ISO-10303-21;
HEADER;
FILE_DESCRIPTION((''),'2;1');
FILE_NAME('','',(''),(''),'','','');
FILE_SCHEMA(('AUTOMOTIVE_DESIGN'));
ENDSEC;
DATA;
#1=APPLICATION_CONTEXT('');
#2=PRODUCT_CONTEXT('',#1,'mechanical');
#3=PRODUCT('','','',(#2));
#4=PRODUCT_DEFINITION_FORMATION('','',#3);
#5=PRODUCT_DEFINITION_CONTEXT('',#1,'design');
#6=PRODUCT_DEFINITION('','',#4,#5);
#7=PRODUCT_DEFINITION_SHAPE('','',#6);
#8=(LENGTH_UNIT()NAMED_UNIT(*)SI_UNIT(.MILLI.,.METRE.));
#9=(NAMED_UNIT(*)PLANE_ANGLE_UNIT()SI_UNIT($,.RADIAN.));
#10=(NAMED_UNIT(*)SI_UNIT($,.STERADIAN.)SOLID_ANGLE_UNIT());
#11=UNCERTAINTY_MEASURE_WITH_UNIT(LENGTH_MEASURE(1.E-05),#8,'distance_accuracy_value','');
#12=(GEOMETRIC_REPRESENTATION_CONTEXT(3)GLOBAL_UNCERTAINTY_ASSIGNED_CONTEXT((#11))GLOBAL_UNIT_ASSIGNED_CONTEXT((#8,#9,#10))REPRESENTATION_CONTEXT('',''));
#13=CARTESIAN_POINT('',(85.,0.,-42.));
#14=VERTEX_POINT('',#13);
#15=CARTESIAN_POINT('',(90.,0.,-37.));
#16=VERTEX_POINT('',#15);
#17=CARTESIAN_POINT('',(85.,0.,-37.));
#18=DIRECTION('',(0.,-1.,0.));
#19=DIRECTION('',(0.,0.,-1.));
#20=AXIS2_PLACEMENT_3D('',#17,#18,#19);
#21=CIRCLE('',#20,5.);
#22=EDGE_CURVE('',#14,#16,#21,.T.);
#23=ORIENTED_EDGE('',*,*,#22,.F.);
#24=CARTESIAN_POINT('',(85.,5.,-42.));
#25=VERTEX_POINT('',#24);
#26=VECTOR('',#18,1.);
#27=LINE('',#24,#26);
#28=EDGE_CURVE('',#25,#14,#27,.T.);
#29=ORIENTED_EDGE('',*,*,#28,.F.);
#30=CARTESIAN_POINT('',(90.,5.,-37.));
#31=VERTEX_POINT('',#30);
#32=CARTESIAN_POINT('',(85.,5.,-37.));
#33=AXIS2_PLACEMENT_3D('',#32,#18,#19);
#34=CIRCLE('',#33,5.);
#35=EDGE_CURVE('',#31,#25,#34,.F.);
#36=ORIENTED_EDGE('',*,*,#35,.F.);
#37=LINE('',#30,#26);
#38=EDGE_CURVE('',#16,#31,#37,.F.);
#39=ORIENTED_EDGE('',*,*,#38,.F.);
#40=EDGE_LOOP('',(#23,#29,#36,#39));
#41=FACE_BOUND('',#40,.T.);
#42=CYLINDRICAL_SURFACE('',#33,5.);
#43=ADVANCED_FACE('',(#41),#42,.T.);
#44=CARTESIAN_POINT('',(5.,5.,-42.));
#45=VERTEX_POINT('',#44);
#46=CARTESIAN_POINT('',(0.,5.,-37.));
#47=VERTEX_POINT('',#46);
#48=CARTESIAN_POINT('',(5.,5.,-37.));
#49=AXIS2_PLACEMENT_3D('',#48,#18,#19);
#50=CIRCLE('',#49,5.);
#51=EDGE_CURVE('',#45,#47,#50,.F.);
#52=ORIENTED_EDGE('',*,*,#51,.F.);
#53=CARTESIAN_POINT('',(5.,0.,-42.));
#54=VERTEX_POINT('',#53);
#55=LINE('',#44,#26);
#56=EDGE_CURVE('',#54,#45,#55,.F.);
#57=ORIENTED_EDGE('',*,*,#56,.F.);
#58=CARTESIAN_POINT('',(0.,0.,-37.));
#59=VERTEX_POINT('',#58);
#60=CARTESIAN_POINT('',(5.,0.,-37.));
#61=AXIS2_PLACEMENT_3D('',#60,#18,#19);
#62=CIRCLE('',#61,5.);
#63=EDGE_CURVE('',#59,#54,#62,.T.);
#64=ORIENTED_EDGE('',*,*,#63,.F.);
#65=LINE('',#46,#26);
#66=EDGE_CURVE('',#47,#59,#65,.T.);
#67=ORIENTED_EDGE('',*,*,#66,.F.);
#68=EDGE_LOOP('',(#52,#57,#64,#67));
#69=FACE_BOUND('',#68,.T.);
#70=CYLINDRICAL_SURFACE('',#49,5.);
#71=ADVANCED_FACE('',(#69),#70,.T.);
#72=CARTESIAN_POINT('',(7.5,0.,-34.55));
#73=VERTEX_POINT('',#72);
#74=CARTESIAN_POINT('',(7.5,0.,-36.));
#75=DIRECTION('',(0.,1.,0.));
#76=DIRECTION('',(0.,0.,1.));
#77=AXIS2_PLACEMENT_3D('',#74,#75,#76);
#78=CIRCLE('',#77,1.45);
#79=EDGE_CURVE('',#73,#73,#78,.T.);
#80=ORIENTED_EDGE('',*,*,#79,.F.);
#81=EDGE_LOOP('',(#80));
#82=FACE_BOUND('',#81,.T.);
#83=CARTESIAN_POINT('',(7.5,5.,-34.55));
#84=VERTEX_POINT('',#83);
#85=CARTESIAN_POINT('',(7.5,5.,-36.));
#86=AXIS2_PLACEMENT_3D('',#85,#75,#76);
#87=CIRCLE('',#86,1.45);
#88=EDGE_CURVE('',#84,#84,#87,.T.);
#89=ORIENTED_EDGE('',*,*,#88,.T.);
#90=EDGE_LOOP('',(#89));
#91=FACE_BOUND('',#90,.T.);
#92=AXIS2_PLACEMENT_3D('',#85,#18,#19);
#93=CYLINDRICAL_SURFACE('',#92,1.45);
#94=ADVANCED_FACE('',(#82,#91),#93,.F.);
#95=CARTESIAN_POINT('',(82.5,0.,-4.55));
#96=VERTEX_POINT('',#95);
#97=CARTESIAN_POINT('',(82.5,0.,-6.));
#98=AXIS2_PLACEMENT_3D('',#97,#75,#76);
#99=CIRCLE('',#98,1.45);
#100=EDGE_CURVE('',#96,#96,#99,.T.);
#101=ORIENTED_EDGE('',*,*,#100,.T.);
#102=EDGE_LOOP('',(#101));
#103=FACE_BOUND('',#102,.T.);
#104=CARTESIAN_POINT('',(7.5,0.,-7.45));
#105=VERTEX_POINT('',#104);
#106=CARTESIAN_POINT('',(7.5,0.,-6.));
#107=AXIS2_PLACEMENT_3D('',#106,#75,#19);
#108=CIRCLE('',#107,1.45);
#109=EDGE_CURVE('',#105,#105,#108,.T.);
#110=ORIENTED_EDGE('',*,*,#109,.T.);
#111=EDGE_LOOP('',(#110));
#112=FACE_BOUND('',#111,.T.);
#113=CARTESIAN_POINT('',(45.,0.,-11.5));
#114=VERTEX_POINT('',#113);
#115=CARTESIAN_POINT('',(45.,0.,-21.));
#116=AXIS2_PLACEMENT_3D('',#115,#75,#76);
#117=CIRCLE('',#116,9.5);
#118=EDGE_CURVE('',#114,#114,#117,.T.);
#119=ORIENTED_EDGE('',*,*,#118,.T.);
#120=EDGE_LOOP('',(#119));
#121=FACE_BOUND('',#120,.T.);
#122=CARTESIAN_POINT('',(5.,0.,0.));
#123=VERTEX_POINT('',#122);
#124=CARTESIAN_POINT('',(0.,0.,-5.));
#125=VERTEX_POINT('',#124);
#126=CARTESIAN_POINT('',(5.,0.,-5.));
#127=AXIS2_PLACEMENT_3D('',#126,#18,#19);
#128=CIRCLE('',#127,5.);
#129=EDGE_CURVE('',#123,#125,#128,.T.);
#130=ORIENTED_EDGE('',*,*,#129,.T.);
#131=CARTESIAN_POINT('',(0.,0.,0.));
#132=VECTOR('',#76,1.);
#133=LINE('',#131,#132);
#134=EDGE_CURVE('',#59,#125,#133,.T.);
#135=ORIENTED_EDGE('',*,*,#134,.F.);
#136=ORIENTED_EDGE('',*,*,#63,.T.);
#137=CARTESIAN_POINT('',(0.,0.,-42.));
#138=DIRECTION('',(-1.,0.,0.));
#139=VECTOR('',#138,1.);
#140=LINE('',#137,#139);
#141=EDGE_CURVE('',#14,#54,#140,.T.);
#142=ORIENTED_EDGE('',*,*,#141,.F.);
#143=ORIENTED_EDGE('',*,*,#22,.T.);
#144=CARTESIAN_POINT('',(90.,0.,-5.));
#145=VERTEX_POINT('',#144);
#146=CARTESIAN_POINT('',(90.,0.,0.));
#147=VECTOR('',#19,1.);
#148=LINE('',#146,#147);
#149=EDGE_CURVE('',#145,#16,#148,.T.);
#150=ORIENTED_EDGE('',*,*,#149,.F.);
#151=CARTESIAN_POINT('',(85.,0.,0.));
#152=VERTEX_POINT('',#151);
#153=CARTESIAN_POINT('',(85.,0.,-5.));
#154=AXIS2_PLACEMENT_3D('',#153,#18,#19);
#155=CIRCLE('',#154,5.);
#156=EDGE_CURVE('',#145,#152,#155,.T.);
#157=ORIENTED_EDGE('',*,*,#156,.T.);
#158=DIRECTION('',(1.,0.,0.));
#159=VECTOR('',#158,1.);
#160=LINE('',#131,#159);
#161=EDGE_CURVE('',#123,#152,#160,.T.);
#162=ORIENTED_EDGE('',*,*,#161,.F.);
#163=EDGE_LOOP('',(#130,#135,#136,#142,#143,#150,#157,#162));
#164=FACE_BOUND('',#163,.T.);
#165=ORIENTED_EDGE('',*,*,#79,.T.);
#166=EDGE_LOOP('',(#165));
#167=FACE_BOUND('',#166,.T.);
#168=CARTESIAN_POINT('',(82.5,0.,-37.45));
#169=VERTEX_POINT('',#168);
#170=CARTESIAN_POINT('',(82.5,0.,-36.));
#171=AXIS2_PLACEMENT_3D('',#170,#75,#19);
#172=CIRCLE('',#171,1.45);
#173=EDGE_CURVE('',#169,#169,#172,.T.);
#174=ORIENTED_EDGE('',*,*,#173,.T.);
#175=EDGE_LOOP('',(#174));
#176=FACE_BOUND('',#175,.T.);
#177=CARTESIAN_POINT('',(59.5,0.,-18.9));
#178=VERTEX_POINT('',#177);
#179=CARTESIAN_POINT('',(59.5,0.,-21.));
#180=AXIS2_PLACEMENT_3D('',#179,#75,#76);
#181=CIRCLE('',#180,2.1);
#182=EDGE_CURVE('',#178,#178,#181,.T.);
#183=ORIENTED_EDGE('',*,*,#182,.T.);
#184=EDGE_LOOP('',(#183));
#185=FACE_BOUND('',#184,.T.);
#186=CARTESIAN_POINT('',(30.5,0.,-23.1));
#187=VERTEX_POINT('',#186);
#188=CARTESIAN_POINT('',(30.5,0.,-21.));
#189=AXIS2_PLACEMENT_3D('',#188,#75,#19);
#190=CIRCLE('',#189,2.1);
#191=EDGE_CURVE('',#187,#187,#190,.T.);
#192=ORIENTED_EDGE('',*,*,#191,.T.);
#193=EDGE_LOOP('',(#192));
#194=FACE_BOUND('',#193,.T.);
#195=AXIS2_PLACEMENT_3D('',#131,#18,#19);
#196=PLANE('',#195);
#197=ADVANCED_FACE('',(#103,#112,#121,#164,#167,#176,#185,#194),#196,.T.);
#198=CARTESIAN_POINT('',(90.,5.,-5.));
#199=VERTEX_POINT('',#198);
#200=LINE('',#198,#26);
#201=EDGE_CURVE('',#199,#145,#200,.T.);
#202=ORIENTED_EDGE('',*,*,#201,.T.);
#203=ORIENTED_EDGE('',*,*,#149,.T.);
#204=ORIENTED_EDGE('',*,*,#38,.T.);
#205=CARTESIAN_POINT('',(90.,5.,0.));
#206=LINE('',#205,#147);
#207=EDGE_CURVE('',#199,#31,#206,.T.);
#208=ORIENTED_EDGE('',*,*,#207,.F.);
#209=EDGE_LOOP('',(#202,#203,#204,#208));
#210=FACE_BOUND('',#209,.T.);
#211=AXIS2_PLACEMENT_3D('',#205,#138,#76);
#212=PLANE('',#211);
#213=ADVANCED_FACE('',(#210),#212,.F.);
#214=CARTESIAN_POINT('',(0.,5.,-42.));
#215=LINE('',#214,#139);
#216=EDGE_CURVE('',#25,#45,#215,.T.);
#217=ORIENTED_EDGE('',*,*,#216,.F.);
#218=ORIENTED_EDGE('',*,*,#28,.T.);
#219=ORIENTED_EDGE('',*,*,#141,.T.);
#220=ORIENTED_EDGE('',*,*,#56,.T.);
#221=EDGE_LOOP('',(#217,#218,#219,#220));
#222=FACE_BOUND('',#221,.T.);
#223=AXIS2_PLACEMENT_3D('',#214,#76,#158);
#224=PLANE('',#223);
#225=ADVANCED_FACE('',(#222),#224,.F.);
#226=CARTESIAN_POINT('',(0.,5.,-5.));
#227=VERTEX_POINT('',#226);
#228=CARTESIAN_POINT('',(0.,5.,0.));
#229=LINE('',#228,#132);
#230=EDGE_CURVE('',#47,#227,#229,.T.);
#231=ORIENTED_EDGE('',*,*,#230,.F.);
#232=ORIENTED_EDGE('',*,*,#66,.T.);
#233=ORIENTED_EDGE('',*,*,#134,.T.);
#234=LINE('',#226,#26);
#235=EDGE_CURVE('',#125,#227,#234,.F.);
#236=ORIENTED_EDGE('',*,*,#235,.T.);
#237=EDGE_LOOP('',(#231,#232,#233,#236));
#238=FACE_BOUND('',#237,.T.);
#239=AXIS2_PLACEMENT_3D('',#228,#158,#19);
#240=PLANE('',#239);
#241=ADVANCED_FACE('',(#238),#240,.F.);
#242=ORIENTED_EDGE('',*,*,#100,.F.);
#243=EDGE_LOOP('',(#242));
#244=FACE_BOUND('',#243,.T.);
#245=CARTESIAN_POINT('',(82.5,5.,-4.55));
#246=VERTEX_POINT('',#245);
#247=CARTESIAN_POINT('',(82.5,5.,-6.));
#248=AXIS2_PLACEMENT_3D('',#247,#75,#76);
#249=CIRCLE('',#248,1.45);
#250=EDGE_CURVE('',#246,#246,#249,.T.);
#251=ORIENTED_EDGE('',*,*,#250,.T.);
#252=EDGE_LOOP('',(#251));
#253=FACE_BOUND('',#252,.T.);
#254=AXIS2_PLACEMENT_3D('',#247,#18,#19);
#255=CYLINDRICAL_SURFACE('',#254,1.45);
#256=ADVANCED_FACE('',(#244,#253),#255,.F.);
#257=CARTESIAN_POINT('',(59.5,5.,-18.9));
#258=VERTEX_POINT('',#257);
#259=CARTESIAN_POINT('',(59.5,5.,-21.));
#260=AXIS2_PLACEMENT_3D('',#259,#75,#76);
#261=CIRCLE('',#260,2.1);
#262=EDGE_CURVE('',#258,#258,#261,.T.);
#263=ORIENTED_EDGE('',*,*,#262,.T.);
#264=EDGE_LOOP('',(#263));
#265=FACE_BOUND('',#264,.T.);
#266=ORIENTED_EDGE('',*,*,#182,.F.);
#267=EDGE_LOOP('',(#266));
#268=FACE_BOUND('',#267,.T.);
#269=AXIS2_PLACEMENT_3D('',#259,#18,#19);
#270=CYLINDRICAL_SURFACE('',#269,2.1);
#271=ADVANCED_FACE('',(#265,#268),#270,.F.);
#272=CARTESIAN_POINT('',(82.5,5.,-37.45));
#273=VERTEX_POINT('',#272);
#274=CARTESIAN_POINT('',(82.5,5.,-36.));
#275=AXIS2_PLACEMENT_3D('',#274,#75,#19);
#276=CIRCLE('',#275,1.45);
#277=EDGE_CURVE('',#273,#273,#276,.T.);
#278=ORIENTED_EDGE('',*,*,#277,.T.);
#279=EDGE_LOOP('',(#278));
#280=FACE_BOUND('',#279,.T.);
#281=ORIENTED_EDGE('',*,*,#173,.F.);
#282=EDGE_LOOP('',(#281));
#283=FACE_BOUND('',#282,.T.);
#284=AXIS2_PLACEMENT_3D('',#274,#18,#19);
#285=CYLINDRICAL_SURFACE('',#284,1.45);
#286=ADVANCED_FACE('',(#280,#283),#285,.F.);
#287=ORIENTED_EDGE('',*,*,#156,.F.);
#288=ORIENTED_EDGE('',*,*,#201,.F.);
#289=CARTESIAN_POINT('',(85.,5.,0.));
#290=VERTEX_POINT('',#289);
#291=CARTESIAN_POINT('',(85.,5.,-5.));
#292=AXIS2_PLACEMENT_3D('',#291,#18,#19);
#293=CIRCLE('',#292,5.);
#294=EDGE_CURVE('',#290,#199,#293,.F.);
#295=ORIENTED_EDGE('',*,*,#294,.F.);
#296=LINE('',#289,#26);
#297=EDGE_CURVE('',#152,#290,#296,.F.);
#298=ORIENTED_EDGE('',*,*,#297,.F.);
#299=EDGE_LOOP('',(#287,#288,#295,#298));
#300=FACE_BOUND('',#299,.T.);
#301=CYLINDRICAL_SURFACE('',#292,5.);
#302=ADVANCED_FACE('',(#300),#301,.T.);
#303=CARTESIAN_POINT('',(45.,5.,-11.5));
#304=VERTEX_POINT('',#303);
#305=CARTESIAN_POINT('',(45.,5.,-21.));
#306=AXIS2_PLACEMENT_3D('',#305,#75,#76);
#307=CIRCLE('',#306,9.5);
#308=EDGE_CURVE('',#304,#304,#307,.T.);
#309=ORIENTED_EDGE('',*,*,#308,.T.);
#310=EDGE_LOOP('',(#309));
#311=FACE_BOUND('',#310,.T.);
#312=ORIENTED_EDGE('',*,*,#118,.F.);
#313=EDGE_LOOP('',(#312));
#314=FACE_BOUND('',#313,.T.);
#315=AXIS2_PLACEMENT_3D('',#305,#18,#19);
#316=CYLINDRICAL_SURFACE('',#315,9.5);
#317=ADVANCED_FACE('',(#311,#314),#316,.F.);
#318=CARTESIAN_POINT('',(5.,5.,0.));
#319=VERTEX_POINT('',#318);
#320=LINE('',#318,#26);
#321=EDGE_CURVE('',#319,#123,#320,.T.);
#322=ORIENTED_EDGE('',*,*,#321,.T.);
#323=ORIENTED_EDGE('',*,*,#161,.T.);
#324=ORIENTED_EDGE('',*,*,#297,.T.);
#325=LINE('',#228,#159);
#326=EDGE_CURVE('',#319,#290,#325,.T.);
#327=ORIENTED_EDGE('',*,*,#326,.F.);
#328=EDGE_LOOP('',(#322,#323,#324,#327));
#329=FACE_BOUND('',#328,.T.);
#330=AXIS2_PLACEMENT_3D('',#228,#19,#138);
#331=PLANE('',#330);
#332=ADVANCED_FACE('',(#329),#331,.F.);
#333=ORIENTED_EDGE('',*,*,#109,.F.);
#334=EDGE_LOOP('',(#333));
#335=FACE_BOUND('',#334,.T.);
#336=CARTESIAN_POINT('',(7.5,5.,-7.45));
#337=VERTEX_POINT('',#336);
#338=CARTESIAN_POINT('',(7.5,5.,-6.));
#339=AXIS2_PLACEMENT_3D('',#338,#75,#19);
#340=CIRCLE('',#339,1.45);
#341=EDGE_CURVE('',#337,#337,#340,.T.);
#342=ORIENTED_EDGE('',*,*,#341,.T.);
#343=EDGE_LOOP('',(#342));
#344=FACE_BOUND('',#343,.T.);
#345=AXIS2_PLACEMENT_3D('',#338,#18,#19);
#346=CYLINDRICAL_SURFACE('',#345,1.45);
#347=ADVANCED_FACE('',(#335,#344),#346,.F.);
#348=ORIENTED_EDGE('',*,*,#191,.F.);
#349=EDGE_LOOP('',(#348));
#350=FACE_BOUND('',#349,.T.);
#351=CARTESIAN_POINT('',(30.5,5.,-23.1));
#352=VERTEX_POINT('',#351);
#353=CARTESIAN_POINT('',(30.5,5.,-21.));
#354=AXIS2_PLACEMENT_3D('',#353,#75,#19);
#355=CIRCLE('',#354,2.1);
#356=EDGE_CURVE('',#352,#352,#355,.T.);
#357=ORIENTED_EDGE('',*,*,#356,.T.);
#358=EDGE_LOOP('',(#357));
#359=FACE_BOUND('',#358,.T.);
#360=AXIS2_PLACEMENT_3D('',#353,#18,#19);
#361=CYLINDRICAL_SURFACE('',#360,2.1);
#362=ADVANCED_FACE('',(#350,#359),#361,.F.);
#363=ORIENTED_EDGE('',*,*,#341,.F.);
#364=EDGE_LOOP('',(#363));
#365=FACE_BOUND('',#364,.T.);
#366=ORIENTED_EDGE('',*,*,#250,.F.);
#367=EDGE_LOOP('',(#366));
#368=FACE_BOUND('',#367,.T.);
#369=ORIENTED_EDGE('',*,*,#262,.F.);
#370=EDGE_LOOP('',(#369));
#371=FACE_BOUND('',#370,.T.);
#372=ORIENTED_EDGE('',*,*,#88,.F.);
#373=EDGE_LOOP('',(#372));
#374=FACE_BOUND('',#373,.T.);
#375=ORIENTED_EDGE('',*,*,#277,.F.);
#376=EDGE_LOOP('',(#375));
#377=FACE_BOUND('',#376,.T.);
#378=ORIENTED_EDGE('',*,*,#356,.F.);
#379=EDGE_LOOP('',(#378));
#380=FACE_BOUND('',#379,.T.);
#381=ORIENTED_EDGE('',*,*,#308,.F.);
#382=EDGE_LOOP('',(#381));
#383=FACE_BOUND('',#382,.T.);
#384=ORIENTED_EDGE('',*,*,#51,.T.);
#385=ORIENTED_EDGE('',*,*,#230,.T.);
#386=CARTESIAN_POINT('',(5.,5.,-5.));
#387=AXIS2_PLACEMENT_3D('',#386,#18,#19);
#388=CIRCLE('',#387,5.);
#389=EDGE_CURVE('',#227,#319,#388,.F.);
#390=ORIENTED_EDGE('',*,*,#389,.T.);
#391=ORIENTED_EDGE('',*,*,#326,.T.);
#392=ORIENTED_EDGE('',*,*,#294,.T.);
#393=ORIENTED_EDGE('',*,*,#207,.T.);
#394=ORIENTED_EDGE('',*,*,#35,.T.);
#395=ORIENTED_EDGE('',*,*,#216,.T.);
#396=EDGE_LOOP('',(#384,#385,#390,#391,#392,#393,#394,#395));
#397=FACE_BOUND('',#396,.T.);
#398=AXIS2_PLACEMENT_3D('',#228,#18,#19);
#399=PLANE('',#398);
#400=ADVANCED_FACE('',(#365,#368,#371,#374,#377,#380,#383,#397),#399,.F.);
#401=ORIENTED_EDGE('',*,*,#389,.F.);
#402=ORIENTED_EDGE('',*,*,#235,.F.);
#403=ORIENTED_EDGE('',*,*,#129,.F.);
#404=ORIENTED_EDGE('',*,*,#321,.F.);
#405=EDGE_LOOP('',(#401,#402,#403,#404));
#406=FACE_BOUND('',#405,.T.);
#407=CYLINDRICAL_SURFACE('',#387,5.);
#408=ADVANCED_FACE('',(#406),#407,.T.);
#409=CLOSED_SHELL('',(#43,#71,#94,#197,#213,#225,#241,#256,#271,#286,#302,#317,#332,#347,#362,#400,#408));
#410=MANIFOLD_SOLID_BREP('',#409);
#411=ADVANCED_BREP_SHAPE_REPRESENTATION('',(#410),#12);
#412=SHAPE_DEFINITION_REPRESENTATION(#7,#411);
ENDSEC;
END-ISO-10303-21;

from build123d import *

# Parameters (mm, degrees)
SKETCH1_W           = 90
SKETCH1_H           = 42
SKETCH1_R           = 9.5
SKETCH1_R_2         = 2.1
SKETCH1_R_3         = 1.45
BOSS_EXTRUDE1_DEPTH = 5
FILLET1_R           = 5


with BuildPart() as part:
    # Sketch1 → Boss-Extrude1 (new body)
    with BuildSketch(Plane(origin=(0, 0, 0), x_dir=(1, 0, 0), z_dir=(0, 1, 0))):
        with Locations((45, 21)):
            Rectangle(SKETCH1_W, SKETCH1_H)
        with Locations((45, 21)):
            Circle(SKETCH1_R, mode=Mode.SUBTRACT)
        with Locations((59.5, 21)):
            Circle(SKETCH1_R_2, mode=Mode.SUBTRACT)
        with Locations((30.5, 21)):
            Circle(SKETCH1_R_2, mode=Mode.SUBTRACT)
        with Locations((7.5, 36)):
            Circle(SKETCH1_R_3, mode=Mode.SUBTRACT)
        with Locations((7.5, 6)):
            Circle(SKETCH1_R_3, mode=Mode.SUBTRACT)
        with Locations((82.5, 6)):
            Circle(SKETCH1_R_3, mode=Mode.SUBTRACT)
        with Locations((82.5, 36)):
            Circle(SKETCH1_R_3, mode=Mode.SUBTRACT)
    extrude(amount=BOSS_EXTRUDE1_DEPTH)

    # Fillet1
    fillet1_edges = [part.edges().sort_by_distance(p)[0] for p in [
        (0, 2.5, -42),
        (90, 2.5, -42),
        (90, 2.5, 0),
        (0, 2.5, 0),
    ]]
    fillet(fillet1_edges, radius=FILLET1_R)


solid = part.part
